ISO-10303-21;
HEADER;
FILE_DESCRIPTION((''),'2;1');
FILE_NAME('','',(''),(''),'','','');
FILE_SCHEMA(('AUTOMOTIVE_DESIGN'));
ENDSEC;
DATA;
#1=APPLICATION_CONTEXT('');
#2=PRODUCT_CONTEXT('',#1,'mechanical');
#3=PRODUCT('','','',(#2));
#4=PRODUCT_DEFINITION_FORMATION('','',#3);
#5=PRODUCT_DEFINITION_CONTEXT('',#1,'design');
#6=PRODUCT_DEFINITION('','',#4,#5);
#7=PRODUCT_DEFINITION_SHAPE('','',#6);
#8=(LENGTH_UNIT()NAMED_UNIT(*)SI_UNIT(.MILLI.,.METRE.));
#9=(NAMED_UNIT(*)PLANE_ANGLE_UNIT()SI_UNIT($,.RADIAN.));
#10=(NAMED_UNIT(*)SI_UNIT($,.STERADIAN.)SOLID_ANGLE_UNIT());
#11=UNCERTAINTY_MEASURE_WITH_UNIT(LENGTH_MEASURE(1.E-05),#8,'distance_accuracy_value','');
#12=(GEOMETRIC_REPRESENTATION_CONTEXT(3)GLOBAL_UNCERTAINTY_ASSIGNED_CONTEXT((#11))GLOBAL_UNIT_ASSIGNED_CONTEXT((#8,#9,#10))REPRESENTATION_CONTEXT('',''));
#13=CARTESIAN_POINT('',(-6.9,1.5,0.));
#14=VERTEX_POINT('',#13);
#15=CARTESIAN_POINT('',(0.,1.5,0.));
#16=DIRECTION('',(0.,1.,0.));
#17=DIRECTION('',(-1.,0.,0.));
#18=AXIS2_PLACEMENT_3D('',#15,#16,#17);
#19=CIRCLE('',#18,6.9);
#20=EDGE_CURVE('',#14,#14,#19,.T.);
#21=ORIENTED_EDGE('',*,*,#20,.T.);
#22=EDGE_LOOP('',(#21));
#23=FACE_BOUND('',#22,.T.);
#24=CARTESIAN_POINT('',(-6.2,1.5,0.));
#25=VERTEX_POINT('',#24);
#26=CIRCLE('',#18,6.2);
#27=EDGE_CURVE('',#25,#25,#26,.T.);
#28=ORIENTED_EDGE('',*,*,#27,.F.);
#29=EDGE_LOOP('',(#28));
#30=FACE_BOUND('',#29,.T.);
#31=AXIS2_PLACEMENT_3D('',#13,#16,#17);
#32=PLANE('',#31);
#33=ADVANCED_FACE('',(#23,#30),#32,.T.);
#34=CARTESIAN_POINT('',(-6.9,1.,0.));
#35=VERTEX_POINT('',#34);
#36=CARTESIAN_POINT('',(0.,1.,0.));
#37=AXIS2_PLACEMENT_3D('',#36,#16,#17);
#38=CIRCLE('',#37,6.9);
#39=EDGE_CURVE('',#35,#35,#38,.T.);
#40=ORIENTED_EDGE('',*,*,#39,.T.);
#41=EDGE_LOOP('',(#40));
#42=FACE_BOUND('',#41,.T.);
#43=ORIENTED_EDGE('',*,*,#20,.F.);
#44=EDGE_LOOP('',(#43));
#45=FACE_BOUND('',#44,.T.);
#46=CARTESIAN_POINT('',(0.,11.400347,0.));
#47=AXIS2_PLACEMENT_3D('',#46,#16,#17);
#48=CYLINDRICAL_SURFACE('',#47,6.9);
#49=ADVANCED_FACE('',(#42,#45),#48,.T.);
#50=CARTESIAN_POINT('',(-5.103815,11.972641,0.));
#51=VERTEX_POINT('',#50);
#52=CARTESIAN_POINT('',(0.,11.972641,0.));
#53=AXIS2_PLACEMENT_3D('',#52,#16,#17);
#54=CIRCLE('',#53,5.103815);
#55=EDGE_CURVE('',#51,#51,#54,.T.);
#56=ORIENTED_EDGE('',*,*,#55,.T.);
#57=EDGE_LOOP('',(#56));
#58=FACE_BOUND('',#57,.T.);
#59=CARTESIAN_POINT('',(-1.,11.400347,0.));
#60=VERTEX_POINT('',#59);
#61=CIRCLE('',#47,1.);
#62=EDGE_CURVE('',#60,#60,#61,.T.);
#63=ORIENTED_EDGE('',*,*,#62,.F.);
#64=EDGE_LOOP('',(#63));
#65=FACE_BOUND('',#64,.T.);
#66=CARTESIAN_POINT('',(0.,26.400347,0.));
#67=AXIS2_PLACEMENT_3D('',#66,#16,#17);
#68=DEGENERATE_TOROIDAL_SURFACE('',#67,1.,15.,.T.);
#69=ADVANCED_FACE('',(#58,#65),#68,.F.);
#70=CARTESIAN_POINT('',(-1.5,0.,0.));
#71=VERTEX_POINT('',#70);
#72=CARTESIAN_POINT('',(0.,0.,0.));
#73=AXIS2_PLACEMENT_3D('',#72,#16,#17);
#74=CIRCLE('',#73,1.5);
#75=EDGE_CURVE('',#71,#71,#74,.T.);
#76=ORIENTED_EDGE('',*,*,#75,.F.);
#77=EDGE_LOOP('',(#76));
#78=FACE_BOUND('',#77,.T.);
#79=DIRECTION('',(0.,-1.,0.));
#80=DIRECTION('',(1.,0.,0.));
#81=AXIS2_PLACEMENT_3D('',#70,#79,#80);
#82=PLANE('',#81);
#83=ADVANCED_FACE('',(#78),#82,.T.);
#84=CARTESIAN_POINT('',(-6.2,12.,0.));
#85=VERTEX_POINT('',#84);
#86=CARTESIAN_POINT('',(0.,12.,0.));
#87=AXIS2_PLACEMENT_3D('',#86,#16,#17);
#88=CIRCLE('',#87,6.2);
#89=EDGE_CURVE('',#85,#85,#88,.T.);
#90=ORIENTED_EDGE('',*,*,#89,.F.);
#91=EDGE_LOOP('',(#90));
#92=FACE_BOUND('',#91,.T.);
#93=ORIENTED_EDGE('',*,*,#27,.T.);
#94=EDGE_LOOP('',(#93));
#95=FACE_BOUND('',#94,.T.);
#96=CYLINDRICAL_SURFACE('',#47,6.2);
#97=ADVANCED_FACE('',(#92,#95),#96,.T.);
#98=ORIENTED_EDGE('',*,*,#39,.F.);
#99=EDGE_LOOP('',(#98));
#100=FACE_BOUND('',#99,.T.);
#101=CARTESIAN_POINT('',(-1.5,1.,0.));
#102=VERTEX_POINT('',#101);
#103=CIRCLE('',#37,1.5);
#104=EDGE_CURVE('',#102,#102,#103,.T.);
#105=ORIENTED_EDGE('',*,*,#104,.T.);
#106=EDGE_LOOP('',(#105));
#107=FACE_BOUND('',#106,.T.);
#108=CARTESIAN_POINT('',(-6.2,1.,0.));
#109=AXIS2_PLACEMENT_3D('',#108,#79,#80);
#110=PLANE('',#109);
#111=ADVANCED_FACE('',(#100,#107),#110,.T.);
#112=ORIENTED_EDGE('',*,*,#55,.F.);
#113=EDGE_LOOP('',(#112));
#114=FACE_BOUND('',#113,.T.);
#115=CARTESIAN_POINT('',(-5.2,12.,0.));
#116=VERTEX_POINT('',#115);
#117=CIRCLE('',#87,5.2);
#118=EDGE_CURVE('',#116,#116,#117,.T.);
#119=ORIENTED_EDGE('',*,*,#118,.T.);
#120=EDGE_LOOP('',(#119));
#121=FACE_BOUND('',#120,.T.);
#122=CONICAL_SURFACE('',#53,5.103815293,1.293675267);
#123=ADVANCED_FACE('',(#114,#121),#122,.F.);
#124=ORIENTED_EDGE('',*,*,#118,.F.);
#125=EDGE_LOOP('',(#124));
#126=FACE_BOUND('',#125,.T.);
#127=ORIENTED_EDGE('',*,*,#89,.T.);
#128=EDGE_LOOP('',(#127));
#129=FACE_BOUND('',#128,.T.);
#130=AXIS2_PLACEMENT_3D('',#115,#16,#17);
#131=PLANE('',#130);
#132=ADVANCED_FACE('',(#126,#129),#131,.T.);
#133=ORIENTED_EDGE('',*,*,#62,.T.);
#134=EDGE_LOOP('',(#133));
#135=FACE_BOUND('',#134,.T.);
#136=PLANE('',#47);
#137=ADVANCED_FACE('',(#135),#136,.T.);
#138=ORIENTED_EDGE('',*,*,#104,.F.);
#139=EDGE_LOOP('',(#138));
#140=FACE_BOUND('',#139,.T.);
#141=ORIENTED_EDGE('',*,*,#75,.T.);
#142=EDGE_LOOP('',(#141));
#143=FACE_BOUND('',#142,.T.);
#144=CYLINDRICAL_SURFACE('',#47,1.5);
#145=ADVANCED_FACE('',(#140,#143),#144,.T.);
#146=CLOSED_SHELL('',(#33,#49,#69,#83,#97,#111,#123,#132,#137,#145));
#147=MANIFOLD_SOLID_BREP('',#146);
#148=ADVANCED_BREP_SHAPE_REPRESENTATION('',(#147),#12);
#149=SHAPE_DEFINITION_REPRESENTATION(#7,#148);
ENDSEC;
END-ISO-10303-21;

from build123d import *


with BuildPart() as part:
    # Sketch 183 → Revolve1 (revolve)
    with BuildSketch(Plane.XY):
        with BuildLine():
            Line((-5.2, 12), (-6.2, 12))
            Line((-6.2, 12), (-6.2, 1.5))
            Line((-6.2, 1.5), (-6.9, 1.5))
            Line((-6.9, 1.5), (-6.9, 1))
            Line((-6.9, 1), (-6.2, 1))
            Line((-6.2, 1), (-1.5, 1))
            Line((-1.5, 1), (-1.5, 0))
            Line((-1.5, 0), (0, 0))
            Line((0, 0), (0, 11.400347218))
            Line((0, 11.400347218), (-1, 11.400347218))
            ThreePointArc((-1, 11.400347218), (-3.071763766, 11.544109643), (-5.103815293, 11.972641231))
            Line((-5.103815293, 11.972641231), (-5.2, 12))
        make_face()
    revolve(axis=Axis((0, 11.400347218, 0), (0, -1, 0)))


solid = part.part
